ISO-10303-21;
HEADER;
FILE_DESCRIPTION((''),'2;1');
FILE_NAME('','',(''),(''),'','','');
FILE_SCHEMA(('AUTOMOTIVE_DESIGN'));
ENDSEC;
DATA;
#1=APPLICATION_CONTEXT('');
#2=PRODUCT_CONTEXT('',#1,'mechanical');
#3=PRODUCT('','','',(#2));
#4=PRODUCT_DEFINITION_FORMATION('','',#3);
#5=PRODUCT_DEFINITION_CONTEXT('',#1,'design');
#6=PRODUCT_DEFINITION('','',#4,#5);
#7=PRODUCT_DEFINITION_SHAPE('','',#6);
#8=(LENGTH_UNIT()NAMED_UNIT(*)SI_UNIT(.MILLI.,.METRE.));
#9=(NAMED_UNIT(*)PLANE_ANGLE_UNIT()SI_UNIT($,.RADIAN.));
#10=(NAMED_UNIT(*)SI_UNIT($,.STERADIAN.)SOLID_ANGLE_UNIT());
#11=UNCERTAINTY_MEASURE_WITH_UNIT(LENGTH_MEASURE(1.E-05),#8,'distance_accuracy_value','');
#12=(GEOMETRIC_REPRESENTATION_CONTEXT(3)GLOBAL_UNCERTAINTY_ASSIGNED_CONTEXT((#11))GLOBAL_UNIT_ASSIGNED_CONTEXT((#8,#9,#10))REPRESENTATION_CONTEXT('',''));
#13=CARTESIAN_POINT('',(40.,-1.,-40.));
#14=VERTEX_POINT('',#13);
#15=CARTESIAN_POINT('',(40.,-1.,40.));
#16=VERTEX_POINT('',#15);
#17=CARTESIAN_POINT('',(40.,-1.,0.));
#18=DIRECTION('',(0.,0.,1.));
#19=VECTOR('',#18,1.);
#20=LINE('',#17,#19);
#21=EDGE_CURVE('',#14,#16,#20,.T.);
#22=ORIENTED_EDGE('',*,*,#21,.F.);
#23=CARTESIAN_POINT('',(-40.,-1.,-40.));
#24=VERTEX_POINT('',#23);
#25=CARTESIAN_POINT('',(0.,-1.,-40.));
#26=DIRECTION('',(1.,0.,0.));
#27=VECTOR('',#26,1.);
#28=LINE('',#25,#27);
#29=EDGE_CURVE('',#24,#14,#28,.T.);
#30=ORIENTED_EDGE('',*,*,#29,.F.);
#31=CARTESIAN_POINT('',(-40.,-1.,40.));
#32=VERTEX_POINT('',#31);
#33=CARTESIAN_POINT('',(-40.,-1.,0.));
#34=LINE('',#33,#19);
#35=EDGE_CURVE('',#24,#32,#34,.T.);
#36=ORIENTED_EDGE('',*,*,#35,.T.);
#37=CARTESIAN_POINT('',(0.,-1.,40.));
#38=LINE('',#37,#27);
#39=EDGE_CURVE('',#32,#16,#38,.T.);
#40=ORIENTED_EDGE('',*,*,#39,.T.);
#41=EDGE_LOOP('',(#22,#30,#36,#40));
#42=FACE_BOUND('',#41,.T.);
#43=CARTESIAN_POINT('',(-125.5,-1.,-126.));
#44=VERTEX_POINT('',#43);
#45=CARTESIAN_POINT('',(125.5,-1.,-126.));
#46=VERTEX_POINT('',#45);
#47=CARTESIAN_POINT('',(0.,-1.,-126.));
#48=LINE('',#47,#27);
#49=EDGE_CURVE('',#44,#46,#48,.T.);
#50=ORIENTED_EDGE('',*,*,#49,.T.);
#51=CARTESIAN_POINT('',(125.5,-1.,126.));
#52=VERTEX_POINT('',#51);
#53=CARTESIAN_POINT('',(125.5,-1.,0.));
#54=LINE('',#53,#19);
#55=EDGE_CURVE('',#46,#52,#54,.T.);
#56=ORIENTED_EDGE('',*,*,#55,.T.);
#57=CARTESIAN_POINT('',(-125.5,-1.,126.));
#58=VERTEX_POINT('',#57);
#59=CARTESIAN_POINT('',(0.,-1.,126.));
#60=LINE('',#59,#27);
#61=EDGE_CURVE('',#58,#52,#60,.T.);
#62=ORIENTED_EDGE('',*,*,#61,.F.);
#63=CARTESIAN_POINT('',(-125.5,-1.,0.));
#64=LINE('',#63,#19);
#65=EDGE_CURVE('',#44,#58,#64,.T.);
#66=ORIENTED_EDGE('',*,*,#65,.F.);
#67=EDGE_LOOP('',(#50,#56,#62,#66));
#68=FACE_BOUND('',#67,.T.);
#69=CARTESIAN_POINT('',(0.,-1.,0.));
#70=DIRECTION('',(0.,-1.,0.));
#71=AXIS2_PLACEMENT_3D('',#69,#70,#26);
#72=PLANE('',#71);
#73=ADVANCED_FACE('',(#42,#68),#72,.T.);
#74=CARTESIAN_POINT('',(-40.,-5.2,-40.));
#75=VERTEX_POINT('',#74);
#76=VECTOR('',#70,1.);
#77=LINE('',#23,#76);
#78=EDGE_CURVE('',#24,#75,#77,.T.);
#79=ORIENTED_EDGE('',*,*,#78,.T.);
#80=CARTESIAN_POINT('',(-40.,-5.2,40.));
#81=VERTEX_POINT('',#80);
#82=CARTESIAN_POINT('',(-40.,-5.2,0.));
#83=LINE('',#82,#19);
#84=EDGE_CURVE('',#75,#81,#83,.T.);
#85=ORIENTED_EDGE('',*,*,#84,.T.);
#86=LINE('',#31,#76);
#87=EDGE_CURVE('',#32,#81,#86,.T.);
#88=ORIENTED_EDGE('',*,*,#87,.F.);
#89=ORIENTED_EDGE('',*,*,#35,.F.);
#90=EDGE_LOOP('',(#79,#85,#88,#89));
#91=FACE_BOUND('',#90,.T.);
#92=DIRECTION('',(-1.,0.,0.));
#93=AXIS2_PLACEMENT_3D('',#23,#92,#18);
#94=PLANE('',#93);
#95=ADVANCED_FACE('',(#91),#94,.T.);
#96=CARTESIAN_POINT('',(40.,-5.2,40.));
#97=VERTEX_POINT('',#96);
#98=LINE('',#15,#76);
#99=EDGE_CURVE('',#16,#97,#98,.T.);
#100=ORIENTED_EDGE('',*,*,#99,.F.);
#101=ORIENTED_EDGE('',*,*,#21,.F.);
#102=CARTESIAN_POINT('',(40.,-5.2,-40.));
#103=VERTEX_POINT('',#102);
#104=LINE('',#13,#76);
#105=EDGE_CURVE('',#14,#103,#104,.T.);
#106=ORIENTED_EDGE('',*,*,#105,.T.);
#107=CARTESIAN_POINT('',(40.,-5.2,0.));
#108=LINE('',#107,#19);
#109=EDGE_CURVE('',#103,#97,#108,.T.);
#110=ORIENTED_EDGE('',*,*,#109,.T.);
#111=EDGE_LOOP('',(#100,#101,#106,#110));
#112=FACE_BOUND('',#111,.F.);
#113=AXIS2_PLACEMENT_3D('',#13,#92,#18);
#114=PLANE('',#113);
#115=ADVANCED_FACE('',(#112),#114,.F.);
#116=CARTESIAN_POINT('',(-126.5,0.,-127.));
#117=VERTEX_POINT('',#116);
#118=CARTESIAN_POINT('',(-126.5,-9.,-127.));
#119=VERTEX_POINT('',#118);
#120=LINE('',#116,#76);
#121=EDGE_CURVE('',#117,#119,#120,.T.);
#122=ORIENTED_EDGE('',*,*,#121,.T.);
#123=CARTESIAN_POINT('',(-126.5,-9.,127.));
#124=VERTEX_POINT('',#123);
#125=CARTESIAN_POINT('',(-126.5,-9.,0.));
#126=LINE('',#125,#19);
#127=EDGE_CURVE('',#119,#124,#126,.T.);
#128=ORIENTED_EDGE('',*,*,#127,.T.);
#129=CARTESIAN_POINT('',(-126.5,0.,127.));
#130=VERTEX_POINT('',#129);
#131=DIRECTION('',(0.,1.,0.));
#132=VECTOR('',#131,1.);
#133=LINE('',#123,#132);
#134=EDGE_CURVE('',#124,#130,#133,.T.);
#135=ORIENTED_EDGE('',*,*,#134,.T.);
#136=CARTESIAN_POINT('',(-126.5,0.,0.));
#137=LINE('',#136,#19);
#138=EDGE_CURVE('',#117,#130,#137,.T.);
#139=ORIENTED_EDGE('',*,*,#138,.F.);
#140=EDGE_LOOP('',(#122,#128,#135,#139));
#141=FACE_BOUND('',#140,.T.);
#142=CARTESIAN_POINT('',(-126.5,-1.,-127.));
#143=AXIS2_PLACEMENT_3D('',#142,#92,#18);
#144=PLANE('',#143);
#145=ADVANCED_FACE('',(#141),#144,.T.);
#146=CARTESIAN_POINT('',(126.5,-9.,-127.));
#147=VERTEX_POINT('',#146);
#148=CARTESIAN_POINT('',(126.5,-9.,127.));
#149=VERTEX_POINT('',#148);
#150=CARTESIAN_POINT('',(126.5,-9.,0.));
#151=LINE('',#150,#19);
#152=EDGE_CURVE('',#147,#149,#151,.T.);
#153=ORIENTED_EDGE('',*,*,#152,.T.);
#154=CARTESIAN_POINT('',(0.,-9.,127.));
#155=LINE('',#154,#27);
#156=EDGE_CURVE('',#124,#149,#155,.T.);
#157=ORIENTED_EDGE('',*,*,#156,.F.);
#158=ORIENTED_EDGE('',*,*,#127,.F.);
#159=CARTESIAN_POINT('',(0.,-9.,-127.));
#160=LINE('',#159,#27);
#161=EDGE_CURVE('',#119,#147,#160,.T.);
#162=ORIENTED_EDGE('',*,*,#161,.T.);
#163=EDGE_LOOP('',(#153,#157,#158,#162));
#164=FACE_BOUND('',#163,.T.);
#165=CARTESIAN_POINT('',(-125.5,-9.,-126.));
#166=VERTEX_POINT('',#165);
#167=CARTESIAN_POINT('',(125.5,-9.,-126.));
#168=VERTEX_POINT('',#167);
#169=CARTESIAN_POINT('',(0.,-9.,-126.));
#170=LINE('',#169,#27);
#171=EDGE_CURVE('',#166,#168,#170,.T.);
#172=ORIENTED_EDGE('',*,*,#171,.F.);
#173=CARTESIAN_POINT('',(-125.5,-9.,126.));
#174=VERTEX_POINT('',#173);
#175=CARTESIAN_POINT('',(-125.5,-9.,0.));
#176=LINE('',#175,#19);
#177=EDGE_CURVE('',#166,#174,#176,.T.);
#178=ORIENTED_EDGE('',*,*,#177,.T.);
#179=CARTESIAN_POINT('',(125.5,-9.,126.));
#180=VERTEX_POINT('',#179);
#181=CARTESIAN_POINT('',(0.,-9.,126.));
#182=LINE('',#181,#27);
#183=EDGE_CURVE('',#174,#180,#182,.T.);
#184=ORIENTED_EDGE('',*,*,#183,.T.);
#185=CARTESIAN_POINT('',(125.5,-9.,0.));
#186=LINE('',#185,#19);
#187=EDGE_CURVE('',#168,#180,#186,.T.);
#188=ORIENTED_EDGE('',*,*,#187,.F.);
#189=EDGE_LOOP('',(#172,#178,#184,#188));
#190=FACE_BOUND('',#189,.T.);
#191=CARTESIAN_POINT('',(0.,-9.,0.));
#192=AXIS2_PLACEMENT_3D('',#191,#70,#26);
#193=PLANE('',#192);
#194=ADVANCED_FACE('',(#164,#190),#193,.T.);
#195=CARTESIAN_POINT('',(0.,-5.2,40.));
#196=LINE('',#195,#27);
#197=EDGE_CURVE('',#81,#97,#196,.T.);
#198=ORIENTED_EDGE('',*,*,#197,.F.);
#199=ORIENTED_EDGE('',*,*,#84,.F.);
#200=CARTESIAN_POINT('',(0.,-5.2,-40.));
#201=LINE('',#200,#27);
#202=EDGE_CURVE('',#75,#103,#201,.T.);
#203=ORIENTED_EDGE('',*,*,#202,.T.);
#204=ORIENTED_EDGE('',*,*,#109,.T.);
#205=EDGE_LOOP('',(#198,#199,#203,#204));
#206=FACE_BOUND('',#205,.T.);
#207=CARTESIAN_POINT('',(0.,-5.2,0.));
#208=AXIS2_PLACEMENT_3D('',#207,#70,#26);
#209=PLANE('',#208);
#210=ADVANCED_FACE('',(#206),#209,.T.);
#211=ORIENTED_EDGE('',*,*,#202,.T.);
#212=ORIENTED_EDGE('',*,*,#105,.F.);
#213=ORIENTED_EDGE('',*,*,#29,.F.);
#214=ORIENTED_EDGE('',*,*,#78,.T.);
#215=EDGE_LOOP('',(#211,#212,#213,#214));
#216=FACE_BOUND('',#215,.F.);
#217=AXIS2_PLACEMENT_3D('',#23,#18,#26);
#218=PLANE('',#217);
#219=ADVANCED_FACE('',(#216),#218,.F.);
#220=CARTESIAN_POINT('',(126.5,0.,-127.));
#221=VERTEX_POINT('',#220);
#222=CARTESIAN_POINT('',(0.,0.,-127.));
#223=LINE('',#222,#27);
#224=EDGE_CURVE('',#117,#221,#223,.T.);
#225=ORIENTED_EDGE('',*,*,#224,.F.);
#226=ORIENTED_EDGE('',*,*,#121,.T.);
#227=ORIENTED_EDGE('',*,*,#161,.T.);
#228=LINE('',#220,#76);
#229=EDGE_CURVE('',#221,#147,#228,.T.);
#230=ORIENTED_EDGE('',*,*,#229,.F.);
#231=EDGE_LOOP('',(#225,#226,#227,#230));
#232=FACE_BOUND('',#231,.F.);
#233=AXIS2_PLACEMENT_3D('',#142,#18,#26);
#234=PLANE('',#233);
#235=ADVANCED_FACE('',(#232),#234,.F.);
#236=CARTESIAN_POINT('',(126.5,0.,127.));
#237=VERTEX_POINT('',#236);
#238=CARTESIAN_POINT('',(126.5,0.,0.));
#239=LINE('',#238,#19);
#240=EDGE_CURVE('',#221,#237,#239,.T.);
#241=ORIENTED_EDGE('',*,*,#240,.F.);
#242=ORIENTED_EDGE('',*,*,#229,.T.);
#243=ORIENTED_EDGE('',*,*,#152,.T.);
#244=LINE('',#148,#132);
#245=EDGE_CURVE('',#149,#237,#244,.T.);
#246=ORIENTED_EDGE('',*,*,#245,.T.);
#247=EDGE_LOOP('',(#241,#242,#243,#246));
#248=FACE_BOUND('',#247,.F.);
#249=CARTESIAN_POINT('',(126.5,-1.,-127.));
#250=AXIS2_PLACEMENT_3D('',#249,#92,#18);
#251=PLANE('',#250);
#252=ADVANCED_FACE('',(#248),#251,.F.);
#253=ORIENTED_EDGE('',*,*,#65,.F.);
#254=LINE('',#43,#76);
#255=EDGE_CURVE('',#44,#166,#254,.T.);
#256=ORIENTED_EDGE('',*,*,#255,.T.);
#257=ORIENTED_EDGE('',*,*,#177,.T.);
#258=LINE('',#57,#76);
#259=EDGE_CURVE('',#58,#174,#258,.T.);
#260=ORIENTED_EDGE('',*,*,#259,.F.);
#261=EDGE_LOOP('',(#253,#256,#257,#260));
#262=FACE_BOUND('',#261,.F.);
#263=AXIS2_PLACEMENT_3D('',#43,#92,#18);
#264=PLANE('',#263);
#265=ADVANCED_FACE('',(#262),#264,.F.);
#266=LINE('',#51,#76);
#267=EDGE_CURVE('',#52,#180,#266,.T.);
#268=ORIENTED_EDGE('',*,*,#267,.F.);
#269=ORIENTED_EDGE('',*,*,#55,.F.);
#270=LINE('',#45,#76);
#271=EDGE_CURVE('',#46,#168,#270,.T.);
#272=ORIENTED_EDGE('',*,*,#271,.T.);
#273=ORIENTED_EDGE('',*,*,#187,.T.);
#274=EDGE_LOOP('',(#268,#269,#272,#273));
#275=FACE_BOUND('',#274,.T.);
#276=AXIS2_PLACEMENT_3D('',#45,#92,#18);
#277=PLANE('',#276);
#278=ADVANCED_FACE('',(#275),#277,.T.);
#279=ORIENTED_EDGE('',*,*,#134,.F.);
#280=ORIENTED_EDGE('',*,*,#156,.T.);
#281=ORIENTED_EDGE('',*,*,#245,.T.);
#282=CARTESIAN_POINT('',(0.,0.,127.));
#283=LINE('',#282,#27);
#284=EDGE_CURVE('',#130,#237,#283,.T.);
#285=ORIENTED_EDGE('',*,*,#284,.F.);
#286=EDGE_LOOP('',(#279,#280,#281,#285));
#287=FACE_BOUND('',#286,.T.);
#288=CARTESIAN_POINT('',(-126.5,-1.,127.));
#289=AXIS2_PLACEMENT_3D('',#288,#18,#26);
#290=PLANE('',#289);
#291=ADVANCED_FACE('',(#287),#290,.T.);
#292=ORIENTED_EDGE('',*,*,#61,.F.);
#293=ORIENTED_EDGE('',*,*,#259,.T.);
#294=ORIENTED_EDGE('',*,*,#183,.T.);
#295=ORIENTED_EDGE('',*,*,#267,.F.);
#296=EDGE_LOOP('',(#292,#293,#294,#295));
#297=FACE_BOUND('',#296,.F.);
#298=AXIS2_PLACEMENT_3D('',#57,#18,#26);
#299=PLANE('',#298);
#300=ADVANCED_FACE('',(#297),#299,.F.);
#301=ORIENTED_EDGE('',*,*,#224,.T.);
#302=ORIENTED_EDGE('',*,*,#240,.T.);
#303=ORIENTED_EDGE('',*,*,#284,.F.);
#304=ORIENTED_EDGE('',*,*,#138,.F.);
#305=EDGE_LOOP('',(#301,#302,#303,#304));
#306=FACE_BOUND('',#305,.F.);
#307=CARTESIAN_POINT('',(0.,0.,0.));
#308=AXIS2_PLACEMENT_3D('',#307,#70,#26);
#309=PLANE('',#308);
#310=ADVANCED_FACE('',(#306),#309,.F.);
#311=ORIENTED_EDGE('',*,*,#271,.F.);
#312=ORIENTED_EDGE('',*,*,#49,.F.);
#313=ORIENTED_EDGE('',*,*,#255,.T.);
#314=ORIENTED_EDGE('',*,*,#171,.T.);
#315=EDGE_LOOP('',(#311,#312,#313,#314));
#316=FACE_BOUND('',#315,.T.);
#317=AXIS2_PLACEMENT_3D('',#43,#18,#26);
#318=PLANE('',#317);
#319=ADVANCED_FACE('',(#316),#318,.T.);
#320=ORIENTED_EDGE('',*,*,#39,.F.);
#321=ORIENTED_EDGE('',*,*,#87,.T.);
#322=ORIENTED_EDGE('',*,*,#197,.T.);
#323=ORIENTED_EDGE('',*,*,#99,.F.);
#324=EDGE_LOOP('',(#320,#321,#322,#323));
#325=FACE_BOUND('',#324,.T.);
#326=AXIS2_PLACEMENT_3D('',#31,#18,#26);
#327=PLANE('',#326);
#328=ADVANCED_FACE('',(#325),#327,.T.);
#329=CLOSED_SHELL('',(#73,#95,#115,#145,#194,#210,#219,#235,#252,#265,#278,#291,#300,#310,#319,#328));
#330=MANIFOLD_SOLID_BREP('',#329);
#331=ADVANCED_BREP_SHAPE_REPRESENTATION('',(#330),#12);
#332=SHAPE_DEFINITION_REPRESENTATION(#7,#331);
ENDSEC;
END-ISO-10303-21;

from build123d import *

# Parameters (mm, degrees)
F0_W     = 253
F0_H     = 254
F1_DEPTH = 1
F2_W     = 253
F2_H     = 254
F2_W_2   = 251
F2_H_2   = 252
F3_DEPTH = 8
F4_W     = 80
F4_H     = 80
F5_DEPTH = 4.2


with BuildPart() as f1:
    # F0 (on Front) → F1 (new body)
    with BuildSketch(Plane.XZ):
        Rectangle(F0_W, F0_H)
    extrude(amount=F1_DEPTH)

    # F2 (on face) → F3 (join)
    with BuildSketch(Plane.XZ.offset(1)):
        Rectangle(F2_W, F2_H)
        Rectangle(F2_W_2, F2_H_2, mode=Mode.SUBTRACT)
    extrude(amount=F3_DEPTH)

    # F4 (on face) → F5 (join)
    with BuildSketch(Plane.XZ.offset(1)):
        Rectangle(F4_W, F4_H)
    extrude(amount=F5_DEPTH)


solid = f1.part
